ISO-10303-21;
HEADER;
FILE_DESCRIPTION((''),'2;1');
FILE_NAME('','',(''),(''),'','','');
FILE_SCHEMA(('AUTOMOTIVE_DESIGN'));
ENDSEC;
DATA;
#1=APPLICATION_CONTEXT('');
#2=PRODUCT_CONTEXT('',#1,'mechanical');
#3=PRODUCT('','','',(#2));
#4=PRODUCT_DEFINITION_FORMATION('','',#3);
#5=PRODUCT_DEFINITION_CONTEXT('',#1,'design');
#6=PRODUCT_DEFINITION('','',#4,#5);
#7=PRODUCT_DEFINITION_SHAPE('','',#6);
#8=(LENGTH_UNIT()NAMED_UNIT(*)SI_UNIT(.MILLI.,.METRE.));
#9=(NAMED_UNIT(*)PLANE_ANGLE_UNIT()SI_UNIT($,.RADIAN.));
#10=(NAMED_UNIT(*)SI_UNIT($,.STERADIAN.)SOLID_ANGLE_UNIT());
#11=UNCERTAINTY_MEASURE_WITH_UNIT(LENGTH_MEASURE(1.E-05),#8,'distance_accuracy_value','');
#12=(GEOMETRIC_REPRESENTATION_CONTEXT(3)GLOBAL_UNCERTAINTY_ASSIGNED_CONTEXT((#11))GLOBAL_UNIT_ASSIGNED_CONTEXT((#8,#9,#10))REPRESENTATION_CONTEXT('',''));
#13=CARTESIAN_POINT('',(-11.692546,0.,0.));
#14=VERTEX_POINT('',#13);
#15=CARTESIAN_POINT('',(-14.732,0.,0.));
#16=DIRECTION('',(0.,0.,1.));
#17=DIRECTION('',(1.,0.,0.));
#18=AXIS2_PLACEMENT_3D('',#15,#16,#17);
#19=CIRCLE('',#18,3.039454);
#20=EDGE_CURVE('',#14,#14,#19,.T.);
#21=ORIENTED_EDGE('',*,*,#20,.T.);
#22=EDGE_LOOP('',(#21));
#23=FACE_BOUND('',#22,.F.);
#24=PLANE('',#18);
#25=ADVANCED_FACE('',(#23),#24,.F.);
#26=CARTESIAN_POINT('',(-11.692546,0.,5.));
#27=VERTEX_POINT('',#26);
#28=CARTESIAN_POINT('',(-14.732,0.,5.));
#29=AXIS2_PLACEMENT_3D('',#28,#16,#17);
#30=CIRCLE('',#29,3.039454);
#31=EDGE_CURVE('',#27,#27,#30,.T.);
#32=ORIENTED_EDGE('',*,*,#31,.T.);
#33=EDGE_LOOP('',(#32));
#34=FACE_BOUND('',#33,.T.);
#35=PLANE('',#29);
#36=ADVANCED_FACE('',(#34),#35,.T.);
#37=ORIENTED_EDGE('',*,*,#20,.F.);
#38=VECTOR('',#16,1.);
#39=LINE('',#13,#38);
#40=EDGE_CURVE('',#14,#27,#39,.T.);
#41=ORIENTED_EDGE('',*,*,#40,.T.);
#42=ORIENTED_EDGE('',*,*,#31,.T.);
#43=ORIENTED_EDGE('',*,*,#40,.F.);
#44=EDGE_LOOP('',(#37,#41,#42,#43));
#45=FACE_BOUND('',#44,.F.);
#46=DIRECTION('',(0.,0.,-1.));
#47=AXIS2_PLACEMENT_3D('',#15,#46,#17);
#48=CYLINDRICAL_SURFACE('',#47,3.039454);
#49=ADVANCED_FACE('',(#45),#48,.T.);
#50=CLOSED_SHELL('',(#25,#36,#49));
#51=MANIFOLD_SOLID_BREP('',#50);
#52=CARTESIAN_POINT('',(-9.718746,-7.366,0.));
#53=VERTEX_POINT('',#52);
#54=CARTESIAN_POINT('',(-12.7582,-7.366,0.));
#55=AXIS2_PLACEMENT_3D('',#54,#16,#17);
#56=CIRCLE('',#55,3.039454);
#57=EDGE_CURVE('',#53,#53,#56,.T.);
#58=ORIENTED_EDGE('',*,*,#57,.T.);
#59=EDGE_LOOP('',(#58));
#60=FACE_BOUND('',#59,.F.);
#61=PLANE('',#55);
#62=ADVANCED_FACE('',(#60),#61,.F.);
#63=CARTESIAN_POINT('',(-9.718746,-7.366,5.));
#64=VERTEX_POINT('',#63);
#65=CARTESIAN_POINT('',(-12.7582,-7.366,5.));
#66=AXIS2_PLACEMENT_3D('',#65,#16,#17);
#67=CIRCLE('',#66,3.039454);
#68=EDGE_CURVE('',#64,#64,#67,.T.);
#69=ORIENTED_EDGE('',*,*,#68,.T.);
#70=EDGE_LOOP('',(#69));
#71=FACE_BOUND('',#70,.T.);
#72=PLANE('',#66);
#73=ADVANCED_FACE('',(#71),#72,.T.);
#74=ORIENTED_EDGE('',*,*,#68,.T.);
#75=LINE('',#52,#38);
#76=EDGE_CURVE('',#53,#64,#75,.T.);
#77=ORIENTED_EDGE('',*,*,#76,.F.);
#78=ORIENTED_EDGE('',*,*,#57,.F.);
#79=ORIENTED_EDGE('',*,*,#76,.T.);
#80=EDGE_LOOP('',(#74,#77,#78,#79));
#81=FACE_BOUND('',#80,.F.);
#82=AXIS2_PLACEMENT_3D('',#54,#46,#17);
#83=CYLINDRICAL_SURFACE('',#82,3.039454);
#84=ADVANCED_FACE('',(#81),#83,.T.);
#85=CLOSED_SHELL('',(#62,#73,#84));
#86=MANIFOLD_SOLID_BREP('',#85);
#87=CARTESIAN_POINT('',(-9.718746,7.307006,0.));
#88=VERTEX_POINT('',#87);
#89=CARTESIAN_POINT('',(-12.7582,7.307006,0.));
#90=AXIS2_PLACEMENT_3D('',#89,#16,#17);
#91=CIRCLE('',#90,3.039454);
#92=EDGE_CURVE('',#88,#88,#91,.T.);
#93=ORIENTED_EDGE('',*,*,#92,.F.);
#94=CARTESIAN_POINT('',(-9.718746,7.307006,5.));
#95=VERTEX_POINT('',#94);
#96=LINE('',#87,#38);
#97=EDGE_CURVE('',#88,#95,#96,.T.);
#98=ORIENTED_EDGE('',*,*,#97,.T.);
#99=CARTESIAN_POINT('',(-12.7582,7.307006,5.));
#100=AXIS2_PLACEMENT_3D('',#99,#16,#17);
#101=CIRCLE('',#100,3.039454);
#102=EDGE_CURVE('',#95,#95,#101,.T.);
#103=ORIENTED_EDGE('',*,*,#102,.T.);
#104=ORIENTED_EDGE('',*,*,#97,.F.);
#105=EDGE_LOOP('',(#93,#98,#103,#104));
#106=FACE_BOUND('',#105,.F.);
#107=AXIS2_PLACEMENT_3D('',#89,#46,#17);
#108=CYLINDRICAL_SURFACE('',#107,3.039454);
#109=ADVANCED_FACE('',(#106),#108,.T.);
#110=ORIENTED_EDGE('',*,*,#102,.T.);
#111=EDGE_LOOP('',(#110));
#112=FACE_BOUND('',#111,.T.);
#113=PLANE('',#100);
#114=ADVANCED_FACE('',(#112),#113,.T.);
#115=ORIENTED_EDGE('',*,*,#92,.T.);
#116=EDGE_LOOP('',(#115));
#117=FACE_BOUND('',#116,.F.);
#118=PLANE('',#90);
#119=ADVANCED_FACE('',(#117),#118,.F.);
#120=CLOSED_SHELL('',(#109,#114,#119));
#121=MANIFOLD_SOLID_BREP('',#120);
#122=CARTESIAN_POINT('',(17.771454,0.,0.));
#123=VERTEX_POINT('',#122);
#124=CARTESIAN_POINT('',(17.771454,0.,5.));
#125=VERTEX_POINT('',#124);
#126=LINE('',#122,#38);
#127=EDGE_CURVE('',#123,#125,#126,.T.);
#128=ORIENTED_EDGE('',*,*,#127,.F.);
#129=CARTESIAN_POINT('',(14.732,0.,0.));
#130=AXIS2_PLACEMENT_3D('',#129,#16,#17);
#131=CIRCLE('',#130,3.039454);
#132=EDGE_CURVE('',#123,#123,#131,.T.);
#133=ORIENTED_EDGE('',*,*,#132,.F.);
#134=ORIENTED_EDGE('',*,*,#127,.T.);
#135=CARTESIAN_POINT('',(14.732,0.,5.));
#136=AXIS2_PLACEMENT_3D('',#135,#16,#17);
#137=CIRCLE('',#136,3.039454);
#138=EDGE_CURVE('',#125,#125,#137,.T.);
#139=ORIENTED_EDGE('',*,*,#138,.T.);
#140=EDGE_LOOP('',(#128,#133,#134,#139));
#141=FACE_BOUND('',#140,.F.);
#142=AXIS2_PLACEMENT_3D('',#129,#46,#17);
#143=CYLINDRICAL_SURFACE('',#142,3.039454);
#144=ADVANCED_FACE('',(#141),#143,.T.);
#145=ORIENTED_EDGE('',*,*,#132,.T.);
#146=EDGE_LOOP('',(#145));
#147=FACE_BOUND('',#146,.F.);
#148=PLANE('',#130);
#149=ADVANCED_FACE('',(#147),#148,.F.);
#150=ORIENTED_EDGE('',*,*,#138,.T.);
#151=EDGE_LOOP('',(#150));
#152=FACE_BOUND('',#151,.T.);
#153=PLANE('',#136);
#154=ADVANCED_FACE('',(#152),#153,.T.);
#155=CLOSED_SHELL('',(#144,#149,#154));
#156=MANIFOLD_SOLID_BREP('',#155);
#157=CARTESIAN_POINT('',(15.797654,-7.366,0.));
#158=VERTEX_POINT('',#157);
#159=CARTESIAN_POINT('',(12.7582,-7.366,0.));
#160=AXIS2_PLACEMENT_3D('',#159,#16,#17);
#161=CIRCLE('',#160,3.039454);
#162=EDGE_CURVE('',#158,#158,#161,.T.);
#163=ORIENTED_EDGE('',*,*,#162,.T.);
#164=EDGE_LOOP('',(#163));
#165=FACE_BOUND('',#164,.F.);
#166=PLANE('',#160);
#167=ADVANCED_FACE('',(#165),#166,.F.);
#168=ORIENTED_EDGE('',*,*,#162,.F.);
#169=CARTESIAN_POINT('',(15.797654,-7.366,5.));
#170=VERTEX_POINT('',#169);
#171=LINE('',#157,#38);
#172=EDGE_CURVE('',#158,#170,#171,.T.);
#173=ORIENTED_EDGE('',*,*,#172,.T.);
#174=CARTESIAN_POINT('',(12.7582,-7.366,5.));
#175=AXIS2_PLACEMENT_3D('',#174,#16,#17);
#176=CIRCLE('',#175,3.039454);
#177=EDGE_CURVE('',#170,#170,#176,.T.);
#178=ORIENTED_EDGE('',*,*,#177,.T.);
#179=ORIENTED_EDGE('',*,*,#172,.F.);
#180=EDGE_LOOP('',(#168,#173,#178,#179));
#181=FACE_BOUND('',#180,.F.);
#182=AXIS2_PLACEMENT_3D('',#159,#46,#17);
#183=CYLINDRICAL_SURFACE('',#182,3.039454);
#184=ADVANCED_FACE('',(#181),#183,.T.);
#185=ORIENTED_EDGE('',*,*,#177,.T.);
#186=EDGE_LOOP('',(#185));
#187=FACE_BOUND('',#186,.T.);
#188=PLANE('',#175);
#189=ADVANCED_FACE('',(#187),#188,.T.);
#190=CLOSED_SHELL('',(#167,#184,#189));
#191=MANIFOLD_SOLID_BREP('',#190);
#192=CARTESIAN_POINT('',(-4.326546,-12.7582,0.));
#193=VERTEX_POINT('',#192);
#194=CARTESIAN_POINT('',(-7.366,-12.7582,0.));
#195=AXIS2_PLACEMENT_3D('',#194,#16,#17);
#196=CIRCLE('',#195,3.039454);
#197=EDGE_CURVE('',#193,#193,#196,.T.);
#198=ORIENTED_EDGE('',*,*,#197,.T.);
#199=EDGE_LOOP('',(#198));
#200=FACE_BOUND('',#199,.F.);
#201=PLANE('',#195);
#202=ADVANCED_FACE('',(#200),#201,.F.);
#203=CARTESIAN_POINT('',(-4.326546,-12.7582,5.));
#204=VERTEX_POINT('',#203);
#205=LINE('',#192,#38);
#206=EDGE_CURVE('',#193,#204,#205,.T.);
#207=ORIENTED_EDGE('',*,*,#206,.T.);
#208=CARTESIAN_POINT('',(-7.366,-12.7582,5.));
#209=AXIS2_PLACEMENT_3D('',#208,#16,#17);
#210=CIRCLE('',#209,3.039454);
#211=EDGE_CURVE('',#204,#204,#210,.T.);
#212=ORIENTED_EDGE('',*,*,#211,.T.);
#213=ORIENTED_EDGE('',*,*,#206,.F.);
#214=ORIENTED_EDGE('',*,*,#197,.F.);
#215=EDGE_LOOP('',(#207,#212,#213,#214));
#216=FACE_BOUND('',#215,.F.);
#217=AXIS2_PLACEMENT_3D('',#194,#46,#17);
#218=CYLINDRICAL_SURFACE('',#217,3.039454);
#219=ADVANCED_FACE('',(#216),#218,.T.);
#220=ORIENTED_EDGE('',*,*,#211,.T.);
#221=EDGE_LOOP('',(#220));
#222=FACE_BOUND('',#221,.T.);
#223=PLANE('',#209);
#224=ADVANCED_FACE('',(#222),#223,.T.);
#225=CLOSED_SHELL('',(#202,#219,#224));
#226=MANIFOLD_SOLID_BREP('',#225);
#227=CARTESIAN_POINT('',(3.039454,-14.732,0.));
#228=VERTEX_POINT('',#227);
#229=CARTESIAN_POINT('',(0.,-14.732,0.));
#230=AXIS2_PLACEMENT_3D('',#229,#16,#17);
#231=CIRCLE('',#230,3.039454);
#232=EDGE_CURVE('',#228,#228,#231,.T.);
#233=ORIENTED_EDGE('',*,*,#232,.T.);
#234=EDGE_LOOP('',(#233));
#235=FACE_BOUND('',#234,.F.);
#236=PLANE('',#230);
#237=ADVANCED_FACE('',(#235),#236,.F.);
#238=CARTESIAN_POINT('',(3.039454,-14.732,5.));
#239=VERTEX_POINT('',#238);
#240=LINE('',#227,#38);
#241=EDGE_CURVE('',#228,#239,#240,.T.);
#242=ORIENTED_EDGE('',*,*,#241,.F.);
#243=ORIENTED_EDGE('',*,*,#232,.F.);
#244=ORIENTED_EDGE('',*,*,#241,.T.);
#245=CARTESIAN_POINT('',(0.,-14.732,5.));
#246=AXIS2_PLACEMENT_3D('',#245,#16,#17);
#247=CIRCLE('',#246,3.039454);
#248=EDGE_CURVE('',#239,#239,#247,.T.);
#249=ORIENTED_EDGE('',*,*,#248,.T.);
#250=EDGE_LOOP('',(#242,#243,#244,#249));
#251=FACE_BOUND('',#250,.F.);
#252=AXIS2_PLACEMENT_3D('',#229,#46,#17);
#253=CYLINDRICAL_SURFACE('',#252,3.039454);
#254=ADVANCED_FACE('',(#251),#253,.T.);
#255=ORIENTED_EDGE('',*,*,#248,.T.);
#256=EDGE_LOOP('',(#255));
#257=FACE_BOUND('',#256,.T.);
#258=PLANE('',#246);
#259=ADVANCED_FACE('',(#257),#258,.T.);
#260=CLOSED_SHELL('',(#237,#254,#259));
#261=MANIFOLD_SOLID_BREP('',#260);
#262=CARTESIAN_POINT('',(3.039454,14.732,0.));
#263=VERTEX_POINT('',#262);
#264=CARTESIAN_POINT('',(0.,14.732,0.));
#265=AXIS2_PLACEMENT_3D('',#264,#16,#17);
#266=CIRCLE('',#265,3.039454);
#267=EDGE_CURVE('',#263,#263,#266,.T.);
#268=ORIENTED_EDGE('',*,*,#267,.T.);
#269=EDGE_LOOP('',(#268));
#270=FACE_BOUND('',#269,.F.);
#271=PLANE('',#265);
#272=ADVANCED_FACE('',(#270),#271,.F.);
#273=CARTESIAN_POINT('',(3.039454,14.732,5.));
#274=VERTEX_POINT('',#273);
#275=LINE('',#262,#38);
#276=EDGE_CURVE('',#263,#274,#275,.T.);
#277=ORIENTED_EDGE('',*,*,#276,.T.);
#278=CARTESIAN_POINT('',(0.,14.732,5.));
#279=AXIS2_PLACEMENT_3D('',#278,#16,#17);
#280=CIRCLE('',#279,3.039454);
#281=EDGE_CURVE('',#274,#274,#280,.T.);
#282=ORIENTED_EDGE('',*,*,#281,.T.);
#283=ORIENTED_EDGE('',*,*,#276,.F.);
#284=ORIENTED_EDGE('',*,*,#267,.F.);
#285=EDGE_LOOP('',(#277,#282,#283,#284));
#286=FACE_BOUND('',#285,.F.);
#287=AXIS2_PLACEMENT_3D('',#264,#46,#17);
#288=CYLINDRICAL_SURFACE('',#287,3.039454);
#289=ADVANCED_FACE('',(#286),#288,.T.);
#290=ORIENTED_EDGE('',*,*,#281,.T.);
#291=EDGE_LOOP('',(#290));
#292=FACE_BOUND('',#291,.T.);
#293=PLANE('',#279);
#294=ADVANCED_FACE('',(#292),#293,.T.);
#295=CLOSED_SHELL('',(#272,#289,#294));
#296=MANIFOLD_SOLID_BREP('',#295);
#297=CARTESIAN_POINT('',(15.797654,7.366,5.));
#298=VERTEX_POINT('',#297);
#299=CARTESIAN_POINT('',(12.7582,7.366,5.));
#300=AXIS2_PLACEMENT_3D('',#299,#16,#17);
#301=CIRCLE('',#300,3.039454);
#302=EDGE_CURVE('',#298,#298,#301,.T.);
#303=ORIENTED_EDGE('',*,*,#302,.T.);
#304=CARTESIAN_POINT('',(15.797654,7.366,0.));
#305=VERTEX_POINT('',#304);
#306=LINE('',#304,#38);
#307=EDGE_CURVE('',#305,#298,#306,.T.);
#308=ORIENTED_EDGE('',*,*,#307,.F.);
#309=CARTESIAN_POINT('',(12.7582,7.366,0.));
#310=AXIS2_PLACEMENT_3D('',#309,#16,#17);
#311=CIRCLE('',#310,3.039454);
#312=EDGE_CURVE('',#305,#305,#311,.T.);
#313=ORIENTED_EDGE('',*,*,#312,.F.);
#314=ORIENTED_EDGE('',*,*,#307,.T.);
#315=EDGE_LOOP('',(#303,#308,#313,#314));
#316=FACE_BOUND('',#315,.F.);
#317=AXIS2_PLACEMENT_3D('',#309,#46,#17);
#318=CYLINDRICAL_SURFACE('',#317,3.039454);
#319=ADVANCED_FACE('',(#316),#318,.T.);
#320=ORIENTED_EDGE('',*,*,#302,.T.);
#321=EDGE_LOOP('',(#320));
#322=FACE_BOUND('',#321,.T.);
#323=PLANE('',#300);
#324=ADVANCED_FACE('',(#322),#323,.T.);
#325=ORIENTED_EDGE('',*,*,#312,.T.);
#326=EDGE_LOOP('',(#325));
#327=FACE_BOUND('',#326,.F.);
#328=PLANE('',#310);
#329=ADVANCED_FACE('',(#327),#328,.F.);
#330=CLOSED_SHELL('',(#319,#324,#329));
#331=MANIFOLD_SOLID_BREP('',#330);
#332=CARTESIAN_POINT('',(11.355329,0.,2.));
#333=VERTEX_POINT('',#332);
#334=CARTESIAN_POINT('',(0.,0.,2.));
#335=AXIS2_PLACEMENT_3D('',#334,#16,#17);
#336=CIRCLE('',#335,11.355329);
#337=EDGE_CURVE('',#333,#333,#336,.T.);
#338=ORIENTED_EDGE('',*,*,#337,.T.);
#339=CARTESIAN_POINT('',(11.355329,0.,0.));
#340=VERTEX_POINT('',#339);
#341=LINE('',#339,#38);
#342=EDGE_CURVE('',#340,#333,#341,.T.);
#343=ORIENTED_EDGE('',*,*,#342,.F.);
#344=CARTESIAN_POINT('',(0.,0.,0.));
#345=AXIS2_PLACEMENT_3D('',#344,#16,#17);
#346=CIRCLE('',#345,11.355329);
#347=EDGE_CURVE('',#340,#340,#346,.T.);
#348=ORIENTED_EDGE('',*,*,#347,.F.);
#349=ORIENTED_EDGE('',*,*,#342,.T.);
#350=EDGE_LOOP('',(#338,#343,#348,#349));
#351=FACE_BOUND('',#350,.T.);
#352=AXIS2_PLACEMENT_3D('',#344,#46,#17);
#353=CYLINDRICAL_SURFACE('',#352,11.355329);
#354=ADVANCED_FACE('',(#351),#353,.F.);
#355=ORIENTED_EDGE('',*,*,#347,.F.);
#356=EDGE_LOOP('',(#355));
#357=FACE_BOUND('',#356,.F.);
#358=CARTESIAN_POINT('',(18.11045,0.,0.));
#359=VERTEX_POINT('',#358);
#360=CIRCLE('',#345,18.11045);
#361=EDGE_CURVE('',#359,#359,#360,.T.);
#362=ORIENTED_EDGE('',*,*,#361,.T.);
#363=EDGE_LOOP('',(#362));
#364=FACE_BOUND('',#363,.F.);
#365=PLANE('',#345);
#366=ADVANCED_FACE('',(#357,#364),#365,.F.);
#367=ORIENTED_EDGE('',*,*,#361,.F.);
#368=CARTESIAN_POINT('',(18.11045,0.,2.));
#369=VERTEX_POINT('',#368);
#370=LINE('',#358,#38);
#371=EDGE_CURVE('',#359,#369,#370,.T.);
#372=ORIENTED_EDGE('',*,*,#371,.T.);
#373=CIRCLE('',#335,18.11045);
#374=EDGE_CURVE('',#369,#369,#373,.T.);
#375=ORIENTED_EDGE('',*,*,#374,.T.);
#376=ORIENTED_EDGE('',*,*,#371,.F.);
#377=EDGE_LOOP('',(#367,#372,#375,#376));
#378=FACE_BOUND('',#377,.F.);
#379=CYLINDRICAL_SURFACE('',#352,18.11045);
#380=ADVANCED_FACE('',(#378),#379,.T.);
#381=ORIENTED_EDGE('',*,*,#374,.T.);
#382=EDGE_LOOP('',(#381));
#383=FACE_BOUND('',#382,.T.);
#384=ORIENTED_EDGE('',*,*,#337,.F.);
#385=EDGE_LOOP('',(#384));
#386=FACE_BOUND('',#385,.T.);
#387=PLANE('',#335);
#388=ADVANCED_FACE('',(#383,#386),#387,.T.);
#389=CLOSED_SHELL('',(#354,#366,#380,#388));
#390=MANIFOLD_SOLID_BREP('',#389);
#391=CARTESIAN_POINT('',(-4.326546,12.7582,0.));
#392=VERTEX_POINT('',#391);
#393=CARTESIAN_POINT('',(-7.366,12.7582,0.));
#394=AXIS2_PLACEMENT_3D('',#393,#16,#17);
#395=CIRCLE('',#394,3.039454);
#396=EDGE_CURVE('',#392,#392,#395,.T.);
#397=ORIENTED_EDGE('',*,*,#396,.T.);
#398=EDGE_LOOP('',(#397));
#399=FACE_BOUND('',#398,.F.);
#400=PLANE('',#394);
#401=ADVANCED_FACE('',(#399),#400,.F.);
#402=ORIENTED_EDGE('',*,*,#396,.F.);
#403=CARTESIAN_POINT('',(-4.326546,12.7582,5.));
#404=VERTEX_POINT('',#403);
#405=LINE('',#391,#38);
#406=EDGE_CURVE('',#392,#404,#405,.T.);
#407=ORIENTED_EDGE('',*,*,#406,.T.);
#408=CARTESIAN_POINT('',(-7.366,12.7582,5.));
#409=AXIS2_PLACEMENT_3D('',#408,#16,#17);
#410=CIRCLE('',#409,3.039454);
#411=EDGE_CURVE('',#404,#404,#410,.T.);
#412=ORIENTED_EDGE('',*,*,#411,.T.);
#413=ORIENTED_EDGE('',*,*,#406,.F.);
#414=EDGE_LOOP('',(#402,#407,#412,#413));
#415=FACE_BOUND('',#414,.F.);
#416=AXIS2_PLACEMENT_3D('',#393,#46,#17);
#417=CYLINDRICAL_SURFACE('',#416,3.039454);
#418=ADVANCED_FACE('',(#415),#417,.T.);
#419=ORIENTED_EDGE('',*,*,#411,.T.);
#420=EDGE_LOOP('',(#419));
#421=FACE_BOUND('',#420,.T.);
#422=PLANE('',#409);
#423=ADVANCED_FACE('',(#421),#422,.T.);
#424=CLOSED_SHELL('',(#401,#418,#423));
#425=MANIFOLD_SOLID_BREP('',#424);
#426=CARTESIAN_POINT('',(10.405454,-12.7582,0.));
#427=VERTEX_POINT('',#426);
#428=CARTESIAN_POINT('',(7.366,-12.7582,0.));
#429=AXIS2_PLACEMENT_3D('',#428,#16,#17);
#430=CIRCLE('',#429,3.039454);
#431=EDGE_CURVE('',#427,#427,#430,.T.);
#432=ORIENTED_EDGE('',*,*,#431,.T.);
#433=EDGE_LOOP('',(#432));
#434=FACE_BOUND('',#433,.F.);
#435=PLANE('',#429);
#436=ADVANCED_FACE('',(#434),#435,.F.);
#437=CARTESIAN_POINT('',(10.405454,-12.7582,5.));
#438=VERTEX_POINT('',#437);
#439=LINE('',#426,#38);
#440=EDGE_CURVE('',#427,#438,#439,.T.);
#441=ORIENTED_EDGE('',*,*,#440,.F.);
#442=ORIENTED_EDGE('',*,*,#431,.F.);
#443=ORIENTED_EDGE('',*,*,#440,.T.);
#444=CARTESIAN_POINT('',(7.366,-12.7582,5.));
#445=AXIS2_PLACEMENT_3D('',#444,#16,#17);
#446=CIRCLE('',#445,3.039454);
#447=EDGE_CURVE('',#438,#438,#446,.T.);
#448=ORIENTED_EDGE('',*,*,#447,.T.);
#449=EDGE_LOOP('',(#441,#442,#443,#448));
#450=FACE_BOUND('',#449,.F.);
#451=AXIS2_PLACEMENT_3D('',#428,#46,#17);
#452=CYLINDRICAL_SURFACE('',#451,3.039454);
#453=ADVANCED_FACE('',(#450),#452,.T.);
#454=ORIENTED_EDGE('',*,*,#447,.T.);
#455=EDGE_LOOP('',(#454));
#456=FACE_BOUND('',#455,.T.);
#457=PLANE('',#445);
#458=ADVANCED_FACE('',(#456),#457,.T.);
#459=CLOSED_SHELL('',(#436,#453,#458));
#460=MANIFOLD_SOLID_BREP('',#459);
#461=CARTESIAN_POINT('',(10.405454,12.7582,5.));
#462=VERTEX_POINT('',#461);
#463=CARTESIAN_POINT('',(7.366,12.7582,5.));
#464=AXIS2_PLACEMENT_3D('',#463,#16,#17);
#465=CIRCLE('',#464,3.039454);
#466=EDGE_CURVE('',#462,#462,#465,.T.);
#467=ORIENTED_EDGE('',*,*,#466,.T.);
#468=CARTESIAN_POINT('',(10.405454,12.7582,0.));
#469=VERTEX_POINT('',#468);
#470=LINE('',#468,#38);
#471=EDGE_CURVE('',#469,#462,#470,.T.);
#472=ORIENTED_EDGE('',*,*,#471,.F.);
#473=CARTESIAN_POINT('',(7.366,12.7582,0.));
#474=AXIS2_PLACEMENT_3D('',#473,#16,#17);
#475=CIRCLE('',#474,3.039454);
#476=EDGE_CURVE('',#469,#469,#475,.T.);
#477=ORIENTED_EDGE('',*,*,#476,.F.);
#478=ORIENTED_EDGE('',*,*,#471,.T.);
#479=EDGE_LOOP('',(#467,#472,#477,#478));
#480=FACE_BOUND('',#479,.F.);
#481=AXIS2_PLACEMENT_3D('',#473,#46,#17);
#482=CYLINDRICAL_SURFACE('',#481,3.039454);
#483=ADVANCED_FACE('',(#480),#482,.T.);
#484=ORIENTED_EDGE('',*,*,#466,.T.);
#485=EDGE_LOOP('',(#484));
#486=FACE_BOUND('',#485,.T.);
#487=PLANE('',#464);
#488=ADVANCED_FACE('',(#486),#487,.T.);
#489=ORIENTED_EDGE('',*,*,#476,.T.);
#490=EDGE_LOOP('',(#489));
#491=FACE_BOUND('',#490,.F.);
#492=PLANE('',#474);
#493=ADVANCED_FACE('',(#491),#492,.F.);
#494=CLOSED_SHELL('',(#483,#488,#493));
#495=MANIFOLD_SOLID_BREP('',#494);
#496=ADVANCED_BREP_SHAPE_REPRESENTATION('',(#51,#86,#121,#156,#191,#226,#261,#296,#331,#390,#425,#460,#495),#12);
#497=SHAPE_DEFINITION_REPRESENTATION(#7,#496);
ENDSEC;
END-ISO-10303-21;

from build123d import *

# Parameters (mm, degrees)
F0_R     = 18.110450128
F0_R_2   = 3.0394543154
F0_R_3   = 11.3553291666
F1_DEPTH = 2
F2_DEPTH = 5


with BuildPart() as f1:
    # F0 (on Top) → F1 (new body)
    with BuildSketch(Plane.XY):
        Circle(F0_R)
        with Locations((-7.366, -12.7582)):
            Circle(F0_R_2, mode=Mode.SUBTRACT)
        with Locations((-12.7582, -7.366)):
            Circle(F0_R_2, mode=Mode.SUBTRACT)
        with Locations((0, -14.732)):
            Circle(F0_R_2, mode=Mode.SUBTRACT)
        with Locations((7.366, -12.7582)):
            Circle(F0_R_2, mode=Mode.SUBTRACT)
        with Locations((12.7582, -7.366)):
            Circle(F0_R_2, mode=Mode.SUBTRACT)
        with Locations((-14.732, 0)):
            Circle(F0_R_2, mode=Mode.SUBTRACT)
        with Locations((-12.7582, 7.3070060462)):
            Circle(F0_R_2, mode=Mode.SUBTRACT)
        with Locations((-7.366, 12.7582)):
            Circle(F0_R_2, mode=Mode.SUBTRACT)
        Circle(F0_R_3, mode=Mode.SUBTRACT)
        with Locations((14.732, 0)):
            Circle(F0_R_2, mode=Mode.SUBTRACT)
        with Locations((12.7582, 7.366)):
            Circle(F0_R_2, mode=Mode.SUBTRACT)
        with Locations((7.366, 12.7582)):
            Circle(F0_R_2, mode=Mode.SUBTRACT)
        with Locations((0, 14.732)):
            Circle(F0_R_2, mode=Mode.SUBTRACT)
        with Locations((-12.7582, 7.3070060462)):
            Circle(F0_R_2)
        with Locations((-7.366, 12.7582)):
            Circle(F0_R_2)
        with Locations((0, 14.732)):
            Circle(F0_R_2)
        with Locations((7.366, 12.7582)):
            Circle(F0_R_2)
        with Locations((12.7582, 7.366)):
            Circle(F0_R_2)
        with Locations((14.732, 0)):
            Circle(F0_R_2)
        with Locations((12.7582, -7.366)):
            Circle(F0_R_2)
        with Locations((7.366, -12.7582)):
            Circle(F0_R_2)
        with Locations((0, -14.732)):
            Circle(F0_R_2)
        with Locations((-7.366, -12.7582)):
            Circle(F0_R_2)
        with Locations((-12.7582, -7.366)):
            Circle(F0_R_2)
        with Locations((-14.732, 0)):
            Circle(F0_R_2)
    extrude(amount=F1_DEPTH)


with BuildPart() as f2:
    # F0 (on Top) → F2 (new body)
    with BuildSketch(Plane.XY):
        with Locations((-7.366, 12.7582)):
            Circle(F0_R_2)
    extrude(amount=F2_DEPTH)


with BuildPart() as f2b:
    # F0 (on Top) → F2, piece 2 (new body)
    with BuildSketch(Plane.XY):
        with Locations((0, 14.732)):
            Circle(F0_R_2)
    extrude(amount=F2_DEPTH)


with BuildPart() as f2c:
    # F0 (on Top) → F2, piece 3 (new body)
    with BuildSketch(Plane.XY):
        with Locations((7.366, 12.7582)):
            Circle(F0_R_2)
    extrude(amount=F2_DEPTH)


with BuildPart() as f2d:
    # F0 (on Top) → F2, piece 4 (new body)
    with BuildSketch(Plane.XY):
        with Locations((12.7582, 7.366)):
            Circle(F0_R_2)
    extrude(amount=F2_DEPTH)


with BuildPart() as f2e:
    # F0 (on Top) → F2, piece 5 (new body)
    with BuildSketch(Plane.XY):
        with Locations((14.732, 0)):
            Circle(F0_R_2)
    extrude(amount=F2_DEPTH)


with BuildPart() as f2f:
    # F0 (on Top) → F2, piece 6 (new body)
    with BuildSketch(Plane.XY):
        with Locations((12.7582, -7.366)):
            Circle(F0_R_2)
    extrude(amount=F2_DEPTH)


with BuildPart() as f2g:
    # F0 (on Top) → F2, piece 7 (new body)
    with BuildSketch(Plane.XY):
        with Locations((7.366, -12.7582)):
            Circle(F0_R_2)
    extrude(amount=F2_DEPTH)


with BuildPart() as f2h:
    # F0 (on Top) → F2, piece 8 (new body)
    with BuildSketch(Plane.XY):
        with Locations((0, -14.732)):
            Circle(F0_R_2)
    extrude(amount=F2_DEPTH)


with BuildPart() as f2i:
    # F0 (on Top) → F2, piece 9 (new body)
    with BuildSketch(Plane.XY):
        with Locations((-7.366, -12.7582)):
            Circle(F0_R_2)
    extrude(amount=F2_DEPTH)


with BuildPart() as f2j:
    # F0 (on Top) → F2, piece 10 (new body)
    with BuildSketch(Plane.XY):
        with Locations((-12.7582, -7.366)):
            Circle(F0_R_2)
    extrude(amount=F2_DEPTH)


with BuildPart() as f2k:
    # F0 (on Top) → F2, piece 11 (new body)
    with BuildSketch(Plane.XY):
        with Locations((-14.732, 0)):
            Circle(F0_R_2)
    extrude(amount=F2_DEPTH)


with BuildPart() as f2l:
    # F0 (on Top) → F2, piece 12 (new body)
    with BuildSketch(Plane.XY):
        with Locations((-12.7582, 7.3070060462)):
            Circle(F0_R_2)
    extrude(amount=F2_DEPTH)


solid = Compound([f1.part, f2.part, f2b.part, f2c.part, f2d.part, f2e.part, f2f.part, f2g.part, f2h.part, f2i.part, f2j.part, f2k.part, f2l.part])
